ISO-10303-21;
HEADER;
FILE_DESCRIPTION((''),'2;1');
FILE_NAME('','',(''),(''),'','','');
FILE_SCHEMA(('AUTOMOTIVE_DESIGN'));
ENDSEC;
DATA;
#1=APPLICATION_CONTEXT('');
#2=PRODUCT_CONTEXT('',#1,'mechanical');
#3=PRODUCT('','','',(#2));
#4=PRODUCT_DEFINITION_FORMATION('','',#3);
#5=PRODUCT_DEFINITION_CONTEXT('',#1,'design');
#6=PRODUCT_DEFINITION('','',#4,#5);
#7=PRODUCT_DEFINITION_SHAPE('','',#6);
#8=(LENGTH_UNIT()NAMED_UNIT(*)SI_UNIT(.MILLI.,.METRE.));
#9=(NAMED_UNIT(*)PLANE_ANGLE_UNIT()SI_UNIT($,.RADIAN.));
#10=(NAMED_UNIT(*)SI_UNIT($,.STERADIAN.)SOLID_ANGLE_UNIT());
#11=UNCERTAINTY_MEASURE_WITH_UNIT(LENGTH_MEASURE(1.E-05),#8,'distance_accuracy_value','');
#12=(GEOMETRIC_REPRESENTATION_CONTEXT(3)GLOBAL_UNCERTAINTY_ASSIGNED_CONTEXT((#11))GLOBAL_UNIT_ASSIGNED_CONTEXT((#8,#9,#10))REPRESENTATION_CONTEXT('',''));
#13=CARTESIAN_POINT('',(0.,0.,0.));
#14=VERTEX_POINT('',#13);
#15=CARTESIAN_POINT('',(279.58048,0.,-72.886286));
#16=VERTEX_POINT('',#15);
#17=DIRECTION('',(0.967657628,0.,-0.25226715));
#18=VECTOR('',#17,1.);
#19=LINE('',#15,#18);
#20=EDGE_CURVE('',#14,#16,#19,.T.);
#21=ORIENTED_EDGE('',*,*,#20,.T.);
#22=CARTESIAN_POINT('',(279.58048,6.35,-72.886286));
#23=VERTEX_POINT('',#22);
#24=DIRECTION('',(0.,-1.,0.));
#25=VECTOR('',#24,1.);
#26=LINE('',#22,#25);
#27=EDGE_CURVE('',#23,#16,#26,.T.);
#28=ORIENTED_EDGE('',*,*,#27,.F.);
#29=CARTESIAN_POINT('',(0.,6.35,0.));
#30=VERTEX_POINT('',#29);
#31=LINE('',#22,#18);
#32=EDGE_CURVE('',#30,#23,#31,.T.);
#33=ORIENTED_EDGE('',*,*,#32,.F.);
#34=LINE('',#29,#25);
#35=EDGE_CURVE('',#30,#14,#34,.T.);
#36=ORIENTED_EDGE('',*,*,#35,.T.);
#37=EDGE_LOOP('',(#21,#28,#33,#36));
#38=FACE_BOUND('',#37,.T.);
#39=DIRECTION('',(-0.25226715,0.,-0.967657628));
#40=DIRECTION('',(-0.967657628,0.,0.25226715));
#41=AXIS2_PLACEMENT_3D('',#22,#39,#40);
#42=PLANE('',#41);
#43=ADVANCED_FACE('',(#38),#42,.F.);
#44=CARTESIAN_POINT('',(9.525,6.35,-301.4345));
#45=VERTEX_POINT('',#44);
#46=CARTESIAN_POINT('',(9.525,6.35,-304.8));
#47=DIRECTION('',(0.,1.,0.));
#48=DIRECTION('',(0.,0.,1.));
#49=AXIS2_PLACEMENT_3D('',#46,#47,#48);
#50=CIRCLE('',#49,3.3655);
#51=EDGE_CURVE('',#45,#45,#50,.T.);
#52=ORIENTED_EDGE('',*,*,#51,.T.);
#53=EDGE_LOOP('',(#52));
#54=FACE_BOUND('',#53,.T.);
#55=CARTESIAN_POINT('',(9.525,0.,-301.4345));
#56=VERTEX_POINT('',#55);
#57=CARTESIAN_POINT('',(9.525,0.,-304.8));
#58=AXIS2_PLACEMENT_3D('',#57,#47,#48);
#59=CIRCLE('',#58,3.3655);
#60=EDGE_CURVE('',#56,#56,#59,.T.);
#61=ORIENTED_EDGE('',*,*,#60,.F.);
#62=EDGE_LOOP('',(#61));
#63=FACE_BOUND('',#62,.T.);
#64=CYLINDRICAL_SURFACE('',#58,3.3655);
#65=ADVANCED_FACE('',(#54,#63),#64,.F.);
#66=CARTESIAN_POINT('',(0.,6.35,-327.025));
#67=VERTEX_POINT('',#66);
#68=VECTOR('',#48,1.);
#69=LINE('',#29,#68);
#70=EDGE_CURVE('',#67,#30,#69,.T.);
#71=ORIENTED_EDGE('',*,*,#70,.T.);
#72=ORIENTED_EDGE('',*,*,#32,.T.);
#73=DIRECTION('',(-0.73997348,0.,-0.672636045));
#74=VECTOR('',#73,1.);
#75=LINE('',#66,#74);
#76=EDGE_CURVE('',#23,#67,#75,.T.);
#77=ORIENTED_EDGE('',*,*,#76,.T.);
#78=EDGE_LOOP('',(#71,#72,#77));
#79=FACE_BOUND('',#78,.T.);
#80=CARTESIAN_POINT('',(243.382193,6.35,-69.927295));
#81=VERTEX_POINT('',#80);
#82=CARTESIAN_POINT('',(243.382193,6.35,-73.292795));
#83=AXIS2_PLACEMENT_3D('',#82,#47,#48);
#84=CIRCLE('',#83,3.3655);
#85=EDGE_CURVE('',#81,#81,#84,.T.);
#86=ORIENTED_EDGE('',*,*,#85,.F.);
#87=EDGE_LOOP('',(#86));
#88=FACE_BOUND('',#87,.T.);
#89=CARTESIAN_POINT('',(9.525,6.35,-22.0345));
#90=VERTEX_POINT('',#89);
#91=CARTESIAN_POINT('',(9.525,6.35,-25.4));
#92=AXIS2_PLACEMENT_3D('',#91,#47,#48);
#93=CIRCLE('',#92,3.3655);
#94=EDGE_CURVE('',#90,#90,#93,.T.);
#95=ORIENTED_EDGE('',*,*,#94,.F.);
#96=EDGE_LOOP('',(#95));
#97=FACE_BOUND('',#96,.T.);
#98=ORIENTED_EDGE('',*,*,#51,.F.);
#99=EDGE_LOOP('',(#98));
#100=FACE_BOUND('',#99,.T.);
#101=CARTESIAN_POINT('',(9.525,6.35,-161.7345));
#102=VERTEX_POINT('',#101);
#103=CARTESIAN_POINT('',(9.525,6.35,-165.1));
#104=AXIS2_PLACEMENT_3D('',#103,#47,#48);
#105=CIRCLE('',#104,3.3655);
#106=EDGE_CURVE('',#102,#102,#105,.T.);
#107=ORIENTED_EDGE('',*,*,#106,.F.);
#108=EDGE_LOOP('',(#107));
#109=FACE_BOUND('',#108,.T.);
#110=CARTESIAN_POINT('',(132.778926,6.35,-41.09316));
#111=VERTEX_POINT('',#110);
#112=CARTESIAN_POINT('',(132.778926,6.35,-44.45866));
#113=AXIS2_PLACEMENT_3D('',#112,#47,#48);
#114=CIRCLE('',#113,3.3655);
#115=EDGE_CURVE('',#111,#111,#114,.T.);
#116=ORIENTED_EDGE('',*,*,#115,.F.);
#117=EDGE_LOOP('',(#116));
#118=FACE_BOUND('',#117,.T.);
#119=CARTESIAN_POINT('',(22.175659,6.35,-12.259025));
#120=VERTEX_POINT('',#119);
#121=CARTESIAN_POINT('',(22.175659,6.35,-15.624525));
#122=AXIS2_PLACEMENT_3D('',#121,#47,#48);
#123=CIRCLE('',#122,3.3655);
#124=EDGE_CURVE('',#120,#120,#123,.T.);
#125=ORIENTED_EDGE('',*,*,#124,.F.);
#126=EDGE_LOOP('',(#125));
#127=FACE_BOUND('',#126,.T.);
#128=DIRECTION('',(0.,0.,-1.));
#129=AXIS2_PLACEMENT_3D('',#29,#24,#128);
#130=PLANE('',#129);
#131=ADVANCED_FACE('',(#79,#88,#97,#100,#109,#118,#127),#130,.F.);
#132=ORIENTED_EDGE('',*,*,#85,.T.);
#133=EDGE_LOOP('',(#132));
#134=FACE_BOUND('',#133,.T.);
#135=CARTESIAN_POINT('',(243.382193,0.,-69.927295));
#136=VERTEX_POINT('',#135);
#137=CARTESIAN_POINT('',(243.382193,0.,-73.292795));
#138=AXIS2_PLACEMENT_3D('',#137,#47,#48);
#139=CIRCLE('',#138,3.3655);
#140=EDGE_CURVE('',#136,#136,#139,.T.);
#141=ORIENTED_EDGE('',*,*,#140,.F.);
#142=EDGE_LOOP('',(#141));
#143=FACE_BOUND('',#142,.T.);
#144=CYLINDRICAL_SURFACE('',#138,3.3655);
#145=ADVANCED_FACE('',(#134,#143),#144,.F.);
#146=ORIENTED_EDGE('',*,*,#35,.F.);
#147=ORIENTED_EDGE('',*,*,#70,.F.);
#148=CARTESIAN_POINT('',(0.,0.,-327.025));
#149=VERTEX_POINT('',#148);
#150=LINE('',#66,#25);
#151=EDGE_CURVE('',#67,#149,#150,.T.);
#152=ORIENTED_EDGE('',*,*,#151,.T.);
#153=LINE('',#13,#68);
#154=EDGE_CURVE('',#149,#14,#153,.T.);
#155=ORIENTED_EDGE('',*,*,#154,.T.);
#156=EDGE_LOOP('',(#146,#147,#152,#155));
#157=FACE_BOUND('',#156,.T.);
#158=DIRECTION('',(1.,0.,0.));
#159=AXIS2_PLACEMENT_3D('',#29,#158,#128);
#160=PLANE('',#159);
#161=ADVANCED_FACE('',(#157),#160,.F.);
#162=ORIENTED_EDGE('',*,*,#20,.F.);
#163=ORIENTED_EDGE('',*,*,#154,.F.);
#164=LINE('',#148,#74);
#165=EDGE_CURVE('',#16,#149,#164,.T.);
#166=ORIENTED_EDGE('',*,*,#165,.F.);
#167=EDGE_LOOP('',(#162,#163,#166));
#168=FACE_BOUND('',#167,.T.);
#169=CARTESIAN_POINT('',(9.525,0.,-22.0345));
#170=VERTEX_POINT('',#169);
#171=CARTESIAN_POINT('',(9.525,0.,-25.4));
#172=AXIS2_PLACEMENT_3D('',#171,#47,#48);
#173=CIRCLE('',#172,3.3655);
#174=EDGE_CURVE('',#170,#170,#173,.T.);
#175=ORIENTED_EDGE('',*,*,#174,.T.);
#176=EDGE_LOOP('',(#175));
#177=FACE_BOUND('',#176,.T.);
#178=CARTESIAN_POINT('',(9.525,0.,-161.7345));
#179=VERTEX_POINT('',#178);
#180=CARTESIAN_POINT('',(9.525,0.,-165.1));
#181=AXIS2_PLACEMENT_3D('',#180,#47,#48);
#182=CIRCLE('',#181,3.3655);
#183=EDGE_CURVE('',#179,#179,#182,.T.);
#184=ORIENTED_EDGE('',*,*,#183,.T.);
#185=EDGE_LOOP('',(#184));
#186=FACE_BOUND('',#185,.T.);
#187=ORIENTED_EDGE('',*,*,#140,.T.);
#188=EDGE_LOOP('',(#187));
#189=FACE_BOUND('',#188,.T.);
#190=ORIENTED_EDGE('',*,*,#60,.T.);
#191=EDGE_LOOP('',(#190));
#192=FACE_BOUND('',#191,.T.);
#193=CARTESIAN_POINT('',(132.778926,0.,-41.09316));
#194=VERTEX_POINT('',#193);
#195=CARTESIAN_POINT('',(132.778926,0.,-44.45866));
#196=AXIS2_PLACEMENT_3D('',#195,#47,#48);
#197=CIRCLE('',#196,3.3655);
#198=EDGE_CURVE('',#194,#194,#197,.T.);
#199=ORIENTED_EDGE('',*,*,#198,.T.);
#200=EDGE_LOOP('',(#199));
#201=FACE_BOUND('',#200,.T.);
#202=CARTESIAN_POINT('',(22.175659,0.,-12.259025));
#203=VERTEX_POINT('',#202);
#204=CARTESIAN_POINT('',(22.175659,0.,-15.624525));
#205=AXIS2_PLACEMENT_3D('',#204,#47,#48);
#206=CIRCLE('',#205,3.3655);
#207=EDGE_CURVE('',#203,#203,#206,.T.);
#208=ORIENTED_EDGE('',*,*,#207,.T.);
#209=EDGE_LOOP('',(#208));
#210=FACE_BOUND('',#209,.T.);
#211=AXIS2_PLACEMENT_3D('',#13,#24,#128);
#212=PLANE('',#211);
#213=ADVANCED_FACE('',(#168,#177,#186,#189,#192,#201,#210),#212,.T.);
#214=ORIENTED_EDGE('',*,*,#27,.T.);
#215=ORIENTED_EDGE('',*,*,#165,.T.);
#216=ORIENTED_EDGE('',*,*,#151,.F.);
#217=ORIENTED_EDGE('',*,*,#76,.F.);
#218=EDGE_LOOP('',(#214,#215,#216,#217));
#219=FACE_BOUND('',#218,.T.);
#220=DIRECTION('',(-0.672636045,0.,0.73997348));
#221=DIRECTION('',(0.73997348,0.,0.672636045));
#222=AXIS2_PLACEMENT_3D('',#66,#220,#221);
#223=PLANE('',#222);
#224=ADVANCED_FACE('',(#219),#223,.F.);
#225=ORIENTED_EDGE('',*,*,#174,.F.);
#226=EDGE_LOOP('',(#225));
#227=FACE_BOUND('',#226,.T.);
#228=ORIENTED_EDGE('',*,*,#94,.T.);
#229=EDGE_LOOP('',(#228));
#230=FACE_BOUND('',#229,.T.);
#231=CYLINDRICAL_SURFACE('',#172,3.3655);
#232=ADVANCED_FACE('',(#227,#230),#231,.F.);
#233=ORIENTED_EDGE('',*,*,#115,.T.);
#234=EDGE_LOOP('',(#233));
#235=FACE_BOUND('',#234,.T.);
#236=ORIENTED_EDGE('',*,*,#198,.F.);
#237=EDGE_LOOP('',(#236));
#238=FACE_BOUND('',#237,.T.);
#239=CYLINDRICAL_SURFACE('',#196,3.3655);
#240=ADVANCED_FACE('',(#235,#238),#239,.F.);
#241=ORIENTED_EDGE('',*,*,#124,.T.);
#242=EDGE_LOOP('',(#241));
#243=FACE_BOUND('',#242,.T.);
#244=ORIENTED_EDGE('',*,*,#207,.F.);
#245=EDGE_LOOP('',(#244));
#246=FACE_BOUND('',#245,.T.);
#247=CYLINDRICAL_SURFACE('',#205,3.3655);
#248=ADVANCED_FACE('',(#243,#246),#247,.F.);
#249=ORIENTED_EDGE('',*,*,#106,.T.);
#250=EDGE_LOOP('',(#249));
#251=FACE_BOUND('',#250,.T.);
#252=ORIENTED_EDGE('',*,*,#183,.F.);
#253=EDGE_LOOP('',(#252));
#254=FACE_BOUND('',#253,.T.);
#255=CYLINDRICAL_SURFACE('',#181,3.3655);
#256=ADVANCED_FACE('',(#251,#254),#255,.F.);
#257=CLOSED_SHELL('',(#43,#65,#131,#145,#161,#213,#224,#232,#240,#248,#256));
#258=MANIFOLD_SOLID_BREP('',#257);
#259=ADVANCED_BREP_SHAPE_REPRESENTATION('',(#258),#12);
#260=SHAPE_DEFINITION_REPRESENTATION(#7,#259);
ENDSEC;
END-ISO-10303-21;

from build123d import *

# Parameters (mm, degrees)
BOSS_EXTRUDE1_DEPTH = 6.35
SKETCH2_R           = 3.3655
CUT_EXTRUDE1_DEPTH  = 7.35


with BuildPart() as part:
    # Sketch1 → Boss-Extrude1 (new body)
    with BuildSketch(Plane(origin=(0, 0, 0), x_dir=(1, 0, 0), z_dir=(0, 1, 0))):
        Polygon((0, 0), (0, 327.025), (279.580480146, 72.886286408), align=None)
    extrude(amount=BOSS_EXTRUDE1_DEPTH)

    # Sketch2 → Cut-Extrude1 (cut, through all)
    with BuildSketch(Plane(origin=(0, 6.35, 0), x_dir=(1, 0, 0), z_dir=(0, 1, 0))):
        with Locations((9.525, 25.4)):
            Circle(SKETCH2_R)
        with Locations((9.525, 165.1)):
            Circle(SKETCH2_R)
        with Locations((9.525, 304.8)):
            Circle(SKETCH2_R)
        with Locations((22.175659142, 15.624524524)):
            Circle(SKETCH2_R)
        with Locations((132.778926013, 44.458659806)):
            Circle(SKETCH2_R)
        with Locations((243.382192884, 73.292795089)):
            Circle(SKETCH2_R)
    extrude(amount=-CUT_EXTRUDE1_DEPTH, mode=Mode.SUBTRACT)


solid = part.part
